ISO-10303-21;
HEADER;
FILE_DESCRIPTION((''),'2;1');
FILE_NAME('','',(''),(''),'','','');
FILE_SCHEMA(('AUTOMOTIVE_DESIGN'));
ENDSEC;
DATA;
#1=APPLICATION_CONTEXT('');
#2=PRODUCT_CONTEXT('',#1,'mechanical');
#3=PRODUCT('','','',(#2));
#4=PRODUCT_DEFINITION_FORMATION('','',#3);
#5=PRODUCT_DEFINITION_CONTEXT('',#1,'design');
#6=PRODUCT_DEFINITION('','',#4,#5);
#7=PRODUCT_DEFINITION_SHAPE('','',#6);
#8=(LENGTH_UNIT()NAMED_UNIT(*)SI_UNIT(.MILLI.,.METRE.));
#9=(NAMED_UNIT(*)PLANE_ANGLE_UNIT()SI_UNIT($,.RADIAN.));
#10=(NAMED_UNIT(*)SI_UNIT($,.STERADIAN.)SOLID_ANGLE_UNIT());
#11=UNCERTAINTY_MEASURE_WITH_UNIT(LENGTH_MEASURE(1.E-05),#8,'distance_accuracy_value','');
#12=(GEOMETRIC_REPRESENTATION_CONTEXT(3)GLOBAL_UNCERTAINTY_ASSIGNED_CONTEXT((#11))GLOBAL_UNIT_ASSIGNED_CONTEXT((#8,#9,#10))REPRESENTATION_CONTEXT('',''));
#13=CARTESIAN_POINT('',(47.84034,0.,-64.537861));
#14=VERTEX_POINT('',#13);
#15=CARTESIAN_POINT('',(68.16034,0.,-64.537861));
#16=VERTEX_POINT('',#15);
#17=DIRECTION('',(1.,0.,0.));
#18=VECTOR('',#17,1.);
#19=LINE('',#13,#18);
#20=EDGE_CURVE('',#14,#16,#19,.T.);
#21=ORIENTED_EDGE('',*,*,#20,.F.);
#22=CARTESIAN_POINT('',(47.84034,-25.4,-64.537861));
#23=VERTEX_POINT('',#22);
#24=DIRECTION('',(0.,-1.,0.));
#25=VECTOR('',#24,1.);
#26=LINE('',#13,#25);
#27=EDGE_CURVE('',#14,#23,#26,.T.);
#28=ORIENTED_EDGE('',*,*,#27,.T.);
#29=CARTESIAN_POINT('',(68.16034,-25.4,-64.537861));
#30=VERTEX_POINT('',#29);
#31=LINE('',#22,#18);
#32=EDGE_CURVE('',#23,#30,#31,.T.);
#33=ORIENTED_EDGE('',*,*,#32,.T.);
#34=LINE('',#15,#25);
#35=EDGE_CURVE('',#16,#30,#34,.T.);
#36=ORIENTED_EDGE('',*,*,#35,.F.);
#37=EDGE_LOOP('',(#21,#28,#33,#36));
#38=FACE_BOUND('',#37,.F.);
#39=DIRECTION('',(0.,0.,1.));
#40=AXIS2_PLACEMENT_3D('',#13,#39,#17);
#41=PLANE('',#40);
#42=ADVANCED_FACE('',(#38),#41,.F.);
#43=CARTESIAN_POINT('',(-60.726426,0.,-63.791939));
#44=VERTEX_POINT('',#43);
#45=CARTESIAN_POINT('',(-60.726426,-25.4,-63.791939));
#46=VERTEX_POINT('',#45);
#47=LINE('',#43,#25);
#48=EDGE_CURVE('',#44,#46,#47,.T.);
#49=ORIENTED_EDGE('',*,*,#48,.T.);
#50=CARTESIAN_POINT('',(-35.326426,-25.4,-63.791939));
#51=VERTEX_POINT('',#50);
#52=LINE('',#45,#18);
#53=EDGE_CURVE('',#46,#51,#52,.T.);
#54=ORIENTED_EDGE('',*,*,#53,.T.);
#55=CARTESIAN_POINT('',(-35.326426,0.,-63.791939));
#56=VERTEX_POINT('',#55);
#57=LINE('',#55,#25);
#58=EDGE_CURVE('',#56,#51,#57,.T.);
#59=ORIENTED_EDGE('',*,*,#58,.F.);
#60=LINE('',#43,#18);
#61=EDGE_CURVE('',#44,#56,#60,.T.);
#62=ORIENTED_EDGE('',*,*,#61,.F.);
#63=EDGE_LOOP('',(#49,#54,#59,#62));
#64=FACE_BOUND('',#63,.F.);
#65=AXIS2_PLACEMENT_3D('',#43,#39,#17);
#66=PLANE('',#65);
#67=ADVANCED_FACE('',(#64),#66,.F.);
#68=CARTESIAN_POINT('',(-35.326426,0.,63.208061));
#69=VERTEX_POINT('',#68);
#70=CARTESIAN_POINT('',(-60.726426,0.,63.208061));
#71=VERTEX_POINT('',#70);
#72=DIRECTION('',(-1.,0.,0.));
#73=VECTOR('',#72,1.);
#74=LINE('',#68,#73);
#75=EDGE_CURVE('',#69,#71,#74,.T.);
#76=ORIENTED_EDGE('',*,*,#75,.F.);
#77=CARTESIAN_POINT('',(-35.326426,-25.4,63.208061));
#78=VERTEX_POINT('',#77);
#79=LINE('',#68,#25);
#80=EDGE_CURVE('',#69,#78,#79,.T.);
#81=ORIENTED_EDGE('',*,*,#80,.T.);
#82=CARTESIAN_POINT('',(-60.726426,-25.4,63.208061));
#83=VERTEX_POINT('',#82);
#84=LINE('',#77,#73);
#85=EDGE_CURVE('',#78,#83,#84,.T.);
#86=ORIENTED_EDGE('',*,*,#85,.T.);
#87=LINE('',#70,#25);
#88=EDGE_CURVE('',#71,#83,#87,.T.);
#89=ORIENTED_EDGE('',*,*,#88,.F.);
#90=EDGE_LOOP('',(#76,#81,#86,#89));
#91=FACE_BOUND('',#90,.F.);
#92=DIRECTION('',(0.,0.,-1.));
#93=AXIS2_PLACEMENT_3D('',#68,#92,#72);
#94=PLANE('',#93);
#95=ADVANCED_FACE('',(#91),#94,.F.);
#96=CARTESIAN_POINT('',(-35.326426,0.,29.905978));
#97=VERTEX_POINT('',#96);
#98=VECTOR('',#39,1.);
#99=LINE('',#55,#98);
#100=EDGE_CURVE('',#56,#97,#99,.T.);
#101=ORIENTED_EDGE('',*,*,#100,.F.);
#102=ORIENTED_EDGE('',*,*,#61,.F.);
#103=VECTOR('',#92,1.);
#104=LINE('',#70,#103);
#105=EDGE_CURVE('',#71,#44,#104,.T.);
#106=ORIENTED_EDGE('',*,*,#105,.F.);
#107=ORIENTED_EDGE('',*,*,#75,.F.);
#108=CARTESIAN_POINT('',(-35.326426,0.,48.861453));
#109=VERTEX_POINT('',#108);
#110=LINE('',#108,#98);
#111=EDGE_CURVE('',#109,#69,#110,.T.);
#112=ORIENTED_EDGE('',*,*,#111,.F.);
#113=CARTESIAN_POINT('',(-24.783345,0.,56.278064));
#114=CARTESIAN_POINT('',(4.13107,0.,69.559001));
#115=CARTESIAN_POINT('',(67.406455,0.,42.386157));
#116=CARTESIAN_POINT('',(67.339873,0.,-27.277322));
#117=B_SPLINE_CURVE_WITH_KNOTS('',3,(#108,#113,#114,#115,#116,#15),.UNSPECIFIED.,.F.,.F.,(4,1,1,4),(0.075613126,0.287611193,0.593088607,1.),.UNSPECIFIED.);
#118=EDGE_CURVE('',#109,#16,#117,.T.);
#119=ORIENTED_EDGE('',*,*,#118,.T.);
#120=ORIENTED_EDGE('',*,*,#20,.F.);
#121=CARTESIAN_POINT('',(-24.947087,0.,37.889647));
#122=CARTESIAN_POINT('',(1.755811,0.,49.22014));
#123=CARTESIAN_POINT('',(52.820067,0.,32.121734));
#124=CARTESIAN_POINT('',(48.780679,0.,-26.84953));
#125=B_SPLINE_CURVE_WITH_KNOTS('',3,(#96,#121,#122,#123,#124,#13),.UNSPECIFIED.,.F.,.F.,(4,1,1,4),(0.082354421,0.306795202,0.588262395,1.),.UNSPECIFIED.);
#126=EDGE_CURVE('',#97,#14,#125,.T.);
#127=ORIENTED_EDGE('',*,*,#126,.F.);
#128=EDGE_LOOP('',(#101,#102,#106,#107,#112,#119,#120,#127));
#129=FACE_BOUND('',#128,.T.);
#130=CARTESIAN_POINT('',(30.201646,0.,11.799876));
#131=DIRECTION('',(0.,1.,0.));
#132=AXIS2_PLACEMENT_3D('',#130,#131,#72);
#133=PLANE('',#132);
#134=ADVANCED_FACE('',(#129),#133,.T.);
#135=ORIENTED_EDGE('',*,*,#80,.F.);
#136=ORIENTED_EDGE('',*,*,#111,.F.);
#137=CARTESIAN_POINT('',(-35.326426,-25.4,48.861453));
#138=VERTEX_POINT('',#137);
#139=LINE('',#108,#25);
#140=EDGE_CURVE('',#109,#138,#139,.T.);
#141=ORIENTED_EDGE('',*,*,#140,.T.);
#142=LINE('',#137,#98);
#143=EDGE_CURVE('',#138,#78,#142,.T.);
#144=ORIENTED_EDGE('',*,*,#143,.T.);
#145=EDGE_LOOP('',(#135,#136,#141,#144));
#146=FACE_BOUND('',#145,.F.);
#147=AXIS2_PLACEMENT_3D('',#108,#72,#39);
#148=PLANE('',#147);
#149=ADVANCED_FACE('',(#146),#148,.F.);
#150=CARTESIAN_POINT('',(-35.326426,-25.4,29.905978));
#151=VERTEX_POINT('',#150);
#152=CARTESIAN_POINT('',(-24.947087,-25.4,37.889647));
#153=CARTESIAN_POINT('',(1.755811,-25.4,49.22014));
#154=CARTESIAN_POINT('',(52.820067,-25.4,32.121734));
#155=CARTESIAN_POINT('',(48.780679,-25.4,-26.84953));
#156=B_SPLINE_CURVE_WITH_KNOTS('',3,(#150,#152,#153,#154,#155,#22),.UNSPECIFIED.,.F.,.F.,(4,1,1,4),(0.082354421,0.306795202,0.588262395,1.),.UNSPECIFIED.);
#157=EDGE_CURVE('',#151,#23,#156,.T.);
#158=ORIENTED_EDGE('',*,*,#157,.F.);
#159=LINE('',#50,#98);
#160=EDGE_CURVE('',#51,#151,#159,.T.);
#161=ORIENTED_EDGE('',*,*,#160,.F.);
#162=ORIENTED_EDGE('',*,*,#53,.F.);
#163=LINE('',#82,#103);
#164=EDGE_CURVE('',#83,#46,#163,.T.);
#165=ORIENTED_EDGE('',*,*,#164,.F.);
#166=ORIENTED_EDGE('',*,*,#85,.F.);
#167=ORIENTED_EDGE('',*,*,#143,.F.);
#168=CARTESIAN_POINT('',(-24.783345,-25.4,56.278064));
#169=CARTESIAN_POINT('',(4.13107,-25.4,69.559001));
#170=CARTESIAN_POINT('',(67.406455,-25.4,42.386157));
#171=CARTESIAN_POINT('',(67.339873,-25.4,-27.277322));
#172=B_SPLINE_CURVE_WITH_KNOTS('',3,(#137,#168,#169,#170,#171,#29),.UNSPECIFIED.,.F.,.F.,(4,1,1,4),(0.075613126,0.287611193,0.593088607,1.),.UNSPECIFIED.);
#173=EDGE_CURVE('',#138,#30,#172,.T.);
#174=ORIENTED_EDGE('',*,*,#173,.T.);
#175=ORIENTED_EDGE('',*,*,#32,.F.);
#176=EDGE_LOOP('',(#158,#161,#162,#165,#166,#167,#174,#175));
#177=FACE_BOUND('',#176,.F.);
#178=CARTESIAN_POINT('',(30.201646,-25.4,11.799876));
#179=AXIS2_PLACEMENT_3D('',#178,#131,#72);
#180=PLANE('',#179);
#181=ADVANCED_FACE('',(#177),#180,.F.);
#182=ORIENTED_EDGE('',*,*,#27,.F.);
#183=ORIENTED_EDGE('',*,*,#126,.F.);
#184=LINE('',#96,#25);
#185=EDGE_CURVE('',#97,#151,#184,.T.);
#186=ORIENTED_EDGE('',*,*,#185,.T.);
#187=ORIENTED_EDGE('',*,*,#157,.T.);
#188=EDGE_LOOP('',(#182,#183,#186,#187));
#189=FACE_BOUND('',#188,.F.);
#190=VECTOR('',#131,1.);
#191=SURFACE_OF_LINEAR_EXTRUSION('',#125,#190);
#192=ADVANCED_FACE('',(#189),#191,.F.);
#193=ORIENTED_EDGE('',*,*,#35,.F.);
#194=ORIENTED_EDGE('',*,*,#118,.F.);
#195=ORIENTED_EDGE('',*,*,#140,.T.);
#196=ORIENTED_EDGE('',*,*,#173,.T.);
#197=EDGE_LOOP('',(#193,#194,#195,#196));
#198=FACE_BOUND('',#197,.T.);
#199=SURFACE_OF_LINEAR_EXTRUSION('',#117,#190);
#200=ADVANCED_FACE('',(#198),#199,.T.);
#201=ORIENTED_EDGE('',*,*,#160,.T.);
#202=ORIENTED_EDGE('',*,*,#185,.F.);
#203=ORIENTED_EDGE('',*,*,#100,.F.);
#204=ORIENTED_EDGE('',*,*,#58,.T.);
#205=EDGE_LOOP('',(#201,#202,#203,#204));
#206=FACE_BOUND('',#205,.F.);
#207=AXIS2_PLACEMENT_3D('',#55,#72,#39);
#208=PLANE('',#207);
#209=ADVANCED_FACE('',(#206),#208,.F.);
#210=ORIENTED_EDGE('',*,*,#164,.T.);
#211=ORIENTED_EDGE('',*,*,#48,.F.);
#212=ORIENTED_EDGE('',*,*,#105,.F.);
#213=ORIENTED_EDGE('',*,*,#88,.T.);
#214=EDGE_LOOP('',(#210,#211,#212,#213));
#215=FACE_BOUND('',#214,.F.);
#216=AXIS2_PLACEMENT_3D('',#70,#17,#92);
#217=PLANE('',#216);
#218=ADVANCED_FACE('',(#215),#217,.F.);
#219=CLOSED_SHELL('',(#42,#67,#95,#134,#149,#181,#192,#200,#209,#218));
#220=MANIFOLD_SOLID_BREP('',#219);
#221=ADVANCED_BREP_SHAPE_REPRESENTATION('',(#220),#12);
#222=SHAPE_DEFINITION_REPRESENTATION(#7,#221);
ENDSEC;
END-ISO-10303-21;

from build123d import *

# Parameters (mm, degrees)
F1_DEPTH = 25.4
F2_DEPTH = 25.4


with BuildPart() as f1:
    # F0 (on Front) → F1 (new body)
    with BuildSketch(Plane.XZ):
        with BuildLine():
            Line((-35.3264257897, 48.8614528171), (-35.3264257897, 63.2080607833))
            Line((-35.3264257897, 63.2080607833), (-60.7264257897, 63.2080607833))
            Line((-60.7264257897, 63.2080607833), (-60.7264257897, -63.7919392167))
            Line((-60.7264257897, -63.7919392167), (-35.3264257897, -63.7919392167))
            Line((-35.3264257897, -63.7919392167), (-35.3264257897, 29.905978406))
            add(Edge.make_bspline(
                [(-46.1009658659, 19.9789523711), (-42.7459093769, 23.6489286373), (-39.1349334235, 26.9765179268), (-35.3264257897, 29.905978406)],
                knots=[0, 0, 0, 0, 0.0823544213, 0.0823544213, 0.0823544213, 0.0823544213], degree=3))
            Line((-46.1009658659, 19.9789523711), (-46.1009658659, 40.2989523711))
            add(Edge.make_bspline(
                [(-46.1009658659, 40.2989523711), (-42.6815098361, 43.3195672609), (-39.0868153798, 46.2161778041), (-35.3264257897, 48.8614528171)],
                knots=[0, 0, 0, 0, 0.0756131262, 0.0756131262, 0.0756131262, 0.0756131262], degree=3))
        make_face()
    extrude(amount=F1_DEPTH)

    # F0 (on Front) → F2 (join)
    with BuildSketch(Plane.XZ):
        with BuildLine():
            add(Edge.make_bspline(
                [(-35.3264257897, 48.8614528171), (-24.7833446511, 56.2780644281), (4.1310700064, 69.5590012299), (67.4064550795, 42.3861574196), (67.3398734526, -27.2773219018), (68.1603402373, -64.53786121)],
                knots=[0.0756131262, 0.0756131262, 0.0756131262, 0.0756131262, 0.2876111934, 0.5930886068, 1, 1, 1, 1], degree=3))
            Line((-35.3264257897, 48.8614528171), (-35.3264257897, 29.905978406))
            add(Edge.make_bspline(
                [(-35.3264257897, 29.905978406), (-24.9470871394, 37.8896468925), (1.7558109473, 49.2201404918), (52.8200668333, 32.1217337272), (48.7806789214, -26.8495303504), (47.8403402373, -64.53786121)],
                knots=[0.0823544213, 0.0823544213, 0.0823544213, 0.0823544213, 0.3067952024, 0.5882623954, 1, 1, 1, 1], degree=3))
            Line((47.8403402373, -64.53786121), (68.1603402373, -64.53786121))
        make_face()
        with BuildLine():
            Line((-35.3264257897, 29.905978406), (-35.3264257897, 48.8614528171))
            add(Edge.make_bspline(
                [(-46.1009658659, 40.2989523711), (-42.6815098361, 43.3195672609), (-39.0868153798, 46.2161778041), (-35.3264257897, 48.8614528171)],
                knots=[0, 0, 0, 0, 0.0756131262, 0.0756131262, 0.0756131262, 0.0756131262], degree=3))
            Line((-46.1009658659, 40.2989523711), (-46.1009658659, 19.9789523711))
            add(Edge.make_bspline(
                [(-46.1009658659, 19.9789523711), (-42.7459093769, 23.6489286373), (-39.1349334235, 26.9765179268), (-35.3264257897, 29.905978406)],
                knots=[0, 0, 0, 0, 0.0823544213, 0.0823544213, 0.0823544213, 0.0823544213], degree=3))
        make_face()
    extrude(amount=F2_DEPTH)


solid = f1.part
